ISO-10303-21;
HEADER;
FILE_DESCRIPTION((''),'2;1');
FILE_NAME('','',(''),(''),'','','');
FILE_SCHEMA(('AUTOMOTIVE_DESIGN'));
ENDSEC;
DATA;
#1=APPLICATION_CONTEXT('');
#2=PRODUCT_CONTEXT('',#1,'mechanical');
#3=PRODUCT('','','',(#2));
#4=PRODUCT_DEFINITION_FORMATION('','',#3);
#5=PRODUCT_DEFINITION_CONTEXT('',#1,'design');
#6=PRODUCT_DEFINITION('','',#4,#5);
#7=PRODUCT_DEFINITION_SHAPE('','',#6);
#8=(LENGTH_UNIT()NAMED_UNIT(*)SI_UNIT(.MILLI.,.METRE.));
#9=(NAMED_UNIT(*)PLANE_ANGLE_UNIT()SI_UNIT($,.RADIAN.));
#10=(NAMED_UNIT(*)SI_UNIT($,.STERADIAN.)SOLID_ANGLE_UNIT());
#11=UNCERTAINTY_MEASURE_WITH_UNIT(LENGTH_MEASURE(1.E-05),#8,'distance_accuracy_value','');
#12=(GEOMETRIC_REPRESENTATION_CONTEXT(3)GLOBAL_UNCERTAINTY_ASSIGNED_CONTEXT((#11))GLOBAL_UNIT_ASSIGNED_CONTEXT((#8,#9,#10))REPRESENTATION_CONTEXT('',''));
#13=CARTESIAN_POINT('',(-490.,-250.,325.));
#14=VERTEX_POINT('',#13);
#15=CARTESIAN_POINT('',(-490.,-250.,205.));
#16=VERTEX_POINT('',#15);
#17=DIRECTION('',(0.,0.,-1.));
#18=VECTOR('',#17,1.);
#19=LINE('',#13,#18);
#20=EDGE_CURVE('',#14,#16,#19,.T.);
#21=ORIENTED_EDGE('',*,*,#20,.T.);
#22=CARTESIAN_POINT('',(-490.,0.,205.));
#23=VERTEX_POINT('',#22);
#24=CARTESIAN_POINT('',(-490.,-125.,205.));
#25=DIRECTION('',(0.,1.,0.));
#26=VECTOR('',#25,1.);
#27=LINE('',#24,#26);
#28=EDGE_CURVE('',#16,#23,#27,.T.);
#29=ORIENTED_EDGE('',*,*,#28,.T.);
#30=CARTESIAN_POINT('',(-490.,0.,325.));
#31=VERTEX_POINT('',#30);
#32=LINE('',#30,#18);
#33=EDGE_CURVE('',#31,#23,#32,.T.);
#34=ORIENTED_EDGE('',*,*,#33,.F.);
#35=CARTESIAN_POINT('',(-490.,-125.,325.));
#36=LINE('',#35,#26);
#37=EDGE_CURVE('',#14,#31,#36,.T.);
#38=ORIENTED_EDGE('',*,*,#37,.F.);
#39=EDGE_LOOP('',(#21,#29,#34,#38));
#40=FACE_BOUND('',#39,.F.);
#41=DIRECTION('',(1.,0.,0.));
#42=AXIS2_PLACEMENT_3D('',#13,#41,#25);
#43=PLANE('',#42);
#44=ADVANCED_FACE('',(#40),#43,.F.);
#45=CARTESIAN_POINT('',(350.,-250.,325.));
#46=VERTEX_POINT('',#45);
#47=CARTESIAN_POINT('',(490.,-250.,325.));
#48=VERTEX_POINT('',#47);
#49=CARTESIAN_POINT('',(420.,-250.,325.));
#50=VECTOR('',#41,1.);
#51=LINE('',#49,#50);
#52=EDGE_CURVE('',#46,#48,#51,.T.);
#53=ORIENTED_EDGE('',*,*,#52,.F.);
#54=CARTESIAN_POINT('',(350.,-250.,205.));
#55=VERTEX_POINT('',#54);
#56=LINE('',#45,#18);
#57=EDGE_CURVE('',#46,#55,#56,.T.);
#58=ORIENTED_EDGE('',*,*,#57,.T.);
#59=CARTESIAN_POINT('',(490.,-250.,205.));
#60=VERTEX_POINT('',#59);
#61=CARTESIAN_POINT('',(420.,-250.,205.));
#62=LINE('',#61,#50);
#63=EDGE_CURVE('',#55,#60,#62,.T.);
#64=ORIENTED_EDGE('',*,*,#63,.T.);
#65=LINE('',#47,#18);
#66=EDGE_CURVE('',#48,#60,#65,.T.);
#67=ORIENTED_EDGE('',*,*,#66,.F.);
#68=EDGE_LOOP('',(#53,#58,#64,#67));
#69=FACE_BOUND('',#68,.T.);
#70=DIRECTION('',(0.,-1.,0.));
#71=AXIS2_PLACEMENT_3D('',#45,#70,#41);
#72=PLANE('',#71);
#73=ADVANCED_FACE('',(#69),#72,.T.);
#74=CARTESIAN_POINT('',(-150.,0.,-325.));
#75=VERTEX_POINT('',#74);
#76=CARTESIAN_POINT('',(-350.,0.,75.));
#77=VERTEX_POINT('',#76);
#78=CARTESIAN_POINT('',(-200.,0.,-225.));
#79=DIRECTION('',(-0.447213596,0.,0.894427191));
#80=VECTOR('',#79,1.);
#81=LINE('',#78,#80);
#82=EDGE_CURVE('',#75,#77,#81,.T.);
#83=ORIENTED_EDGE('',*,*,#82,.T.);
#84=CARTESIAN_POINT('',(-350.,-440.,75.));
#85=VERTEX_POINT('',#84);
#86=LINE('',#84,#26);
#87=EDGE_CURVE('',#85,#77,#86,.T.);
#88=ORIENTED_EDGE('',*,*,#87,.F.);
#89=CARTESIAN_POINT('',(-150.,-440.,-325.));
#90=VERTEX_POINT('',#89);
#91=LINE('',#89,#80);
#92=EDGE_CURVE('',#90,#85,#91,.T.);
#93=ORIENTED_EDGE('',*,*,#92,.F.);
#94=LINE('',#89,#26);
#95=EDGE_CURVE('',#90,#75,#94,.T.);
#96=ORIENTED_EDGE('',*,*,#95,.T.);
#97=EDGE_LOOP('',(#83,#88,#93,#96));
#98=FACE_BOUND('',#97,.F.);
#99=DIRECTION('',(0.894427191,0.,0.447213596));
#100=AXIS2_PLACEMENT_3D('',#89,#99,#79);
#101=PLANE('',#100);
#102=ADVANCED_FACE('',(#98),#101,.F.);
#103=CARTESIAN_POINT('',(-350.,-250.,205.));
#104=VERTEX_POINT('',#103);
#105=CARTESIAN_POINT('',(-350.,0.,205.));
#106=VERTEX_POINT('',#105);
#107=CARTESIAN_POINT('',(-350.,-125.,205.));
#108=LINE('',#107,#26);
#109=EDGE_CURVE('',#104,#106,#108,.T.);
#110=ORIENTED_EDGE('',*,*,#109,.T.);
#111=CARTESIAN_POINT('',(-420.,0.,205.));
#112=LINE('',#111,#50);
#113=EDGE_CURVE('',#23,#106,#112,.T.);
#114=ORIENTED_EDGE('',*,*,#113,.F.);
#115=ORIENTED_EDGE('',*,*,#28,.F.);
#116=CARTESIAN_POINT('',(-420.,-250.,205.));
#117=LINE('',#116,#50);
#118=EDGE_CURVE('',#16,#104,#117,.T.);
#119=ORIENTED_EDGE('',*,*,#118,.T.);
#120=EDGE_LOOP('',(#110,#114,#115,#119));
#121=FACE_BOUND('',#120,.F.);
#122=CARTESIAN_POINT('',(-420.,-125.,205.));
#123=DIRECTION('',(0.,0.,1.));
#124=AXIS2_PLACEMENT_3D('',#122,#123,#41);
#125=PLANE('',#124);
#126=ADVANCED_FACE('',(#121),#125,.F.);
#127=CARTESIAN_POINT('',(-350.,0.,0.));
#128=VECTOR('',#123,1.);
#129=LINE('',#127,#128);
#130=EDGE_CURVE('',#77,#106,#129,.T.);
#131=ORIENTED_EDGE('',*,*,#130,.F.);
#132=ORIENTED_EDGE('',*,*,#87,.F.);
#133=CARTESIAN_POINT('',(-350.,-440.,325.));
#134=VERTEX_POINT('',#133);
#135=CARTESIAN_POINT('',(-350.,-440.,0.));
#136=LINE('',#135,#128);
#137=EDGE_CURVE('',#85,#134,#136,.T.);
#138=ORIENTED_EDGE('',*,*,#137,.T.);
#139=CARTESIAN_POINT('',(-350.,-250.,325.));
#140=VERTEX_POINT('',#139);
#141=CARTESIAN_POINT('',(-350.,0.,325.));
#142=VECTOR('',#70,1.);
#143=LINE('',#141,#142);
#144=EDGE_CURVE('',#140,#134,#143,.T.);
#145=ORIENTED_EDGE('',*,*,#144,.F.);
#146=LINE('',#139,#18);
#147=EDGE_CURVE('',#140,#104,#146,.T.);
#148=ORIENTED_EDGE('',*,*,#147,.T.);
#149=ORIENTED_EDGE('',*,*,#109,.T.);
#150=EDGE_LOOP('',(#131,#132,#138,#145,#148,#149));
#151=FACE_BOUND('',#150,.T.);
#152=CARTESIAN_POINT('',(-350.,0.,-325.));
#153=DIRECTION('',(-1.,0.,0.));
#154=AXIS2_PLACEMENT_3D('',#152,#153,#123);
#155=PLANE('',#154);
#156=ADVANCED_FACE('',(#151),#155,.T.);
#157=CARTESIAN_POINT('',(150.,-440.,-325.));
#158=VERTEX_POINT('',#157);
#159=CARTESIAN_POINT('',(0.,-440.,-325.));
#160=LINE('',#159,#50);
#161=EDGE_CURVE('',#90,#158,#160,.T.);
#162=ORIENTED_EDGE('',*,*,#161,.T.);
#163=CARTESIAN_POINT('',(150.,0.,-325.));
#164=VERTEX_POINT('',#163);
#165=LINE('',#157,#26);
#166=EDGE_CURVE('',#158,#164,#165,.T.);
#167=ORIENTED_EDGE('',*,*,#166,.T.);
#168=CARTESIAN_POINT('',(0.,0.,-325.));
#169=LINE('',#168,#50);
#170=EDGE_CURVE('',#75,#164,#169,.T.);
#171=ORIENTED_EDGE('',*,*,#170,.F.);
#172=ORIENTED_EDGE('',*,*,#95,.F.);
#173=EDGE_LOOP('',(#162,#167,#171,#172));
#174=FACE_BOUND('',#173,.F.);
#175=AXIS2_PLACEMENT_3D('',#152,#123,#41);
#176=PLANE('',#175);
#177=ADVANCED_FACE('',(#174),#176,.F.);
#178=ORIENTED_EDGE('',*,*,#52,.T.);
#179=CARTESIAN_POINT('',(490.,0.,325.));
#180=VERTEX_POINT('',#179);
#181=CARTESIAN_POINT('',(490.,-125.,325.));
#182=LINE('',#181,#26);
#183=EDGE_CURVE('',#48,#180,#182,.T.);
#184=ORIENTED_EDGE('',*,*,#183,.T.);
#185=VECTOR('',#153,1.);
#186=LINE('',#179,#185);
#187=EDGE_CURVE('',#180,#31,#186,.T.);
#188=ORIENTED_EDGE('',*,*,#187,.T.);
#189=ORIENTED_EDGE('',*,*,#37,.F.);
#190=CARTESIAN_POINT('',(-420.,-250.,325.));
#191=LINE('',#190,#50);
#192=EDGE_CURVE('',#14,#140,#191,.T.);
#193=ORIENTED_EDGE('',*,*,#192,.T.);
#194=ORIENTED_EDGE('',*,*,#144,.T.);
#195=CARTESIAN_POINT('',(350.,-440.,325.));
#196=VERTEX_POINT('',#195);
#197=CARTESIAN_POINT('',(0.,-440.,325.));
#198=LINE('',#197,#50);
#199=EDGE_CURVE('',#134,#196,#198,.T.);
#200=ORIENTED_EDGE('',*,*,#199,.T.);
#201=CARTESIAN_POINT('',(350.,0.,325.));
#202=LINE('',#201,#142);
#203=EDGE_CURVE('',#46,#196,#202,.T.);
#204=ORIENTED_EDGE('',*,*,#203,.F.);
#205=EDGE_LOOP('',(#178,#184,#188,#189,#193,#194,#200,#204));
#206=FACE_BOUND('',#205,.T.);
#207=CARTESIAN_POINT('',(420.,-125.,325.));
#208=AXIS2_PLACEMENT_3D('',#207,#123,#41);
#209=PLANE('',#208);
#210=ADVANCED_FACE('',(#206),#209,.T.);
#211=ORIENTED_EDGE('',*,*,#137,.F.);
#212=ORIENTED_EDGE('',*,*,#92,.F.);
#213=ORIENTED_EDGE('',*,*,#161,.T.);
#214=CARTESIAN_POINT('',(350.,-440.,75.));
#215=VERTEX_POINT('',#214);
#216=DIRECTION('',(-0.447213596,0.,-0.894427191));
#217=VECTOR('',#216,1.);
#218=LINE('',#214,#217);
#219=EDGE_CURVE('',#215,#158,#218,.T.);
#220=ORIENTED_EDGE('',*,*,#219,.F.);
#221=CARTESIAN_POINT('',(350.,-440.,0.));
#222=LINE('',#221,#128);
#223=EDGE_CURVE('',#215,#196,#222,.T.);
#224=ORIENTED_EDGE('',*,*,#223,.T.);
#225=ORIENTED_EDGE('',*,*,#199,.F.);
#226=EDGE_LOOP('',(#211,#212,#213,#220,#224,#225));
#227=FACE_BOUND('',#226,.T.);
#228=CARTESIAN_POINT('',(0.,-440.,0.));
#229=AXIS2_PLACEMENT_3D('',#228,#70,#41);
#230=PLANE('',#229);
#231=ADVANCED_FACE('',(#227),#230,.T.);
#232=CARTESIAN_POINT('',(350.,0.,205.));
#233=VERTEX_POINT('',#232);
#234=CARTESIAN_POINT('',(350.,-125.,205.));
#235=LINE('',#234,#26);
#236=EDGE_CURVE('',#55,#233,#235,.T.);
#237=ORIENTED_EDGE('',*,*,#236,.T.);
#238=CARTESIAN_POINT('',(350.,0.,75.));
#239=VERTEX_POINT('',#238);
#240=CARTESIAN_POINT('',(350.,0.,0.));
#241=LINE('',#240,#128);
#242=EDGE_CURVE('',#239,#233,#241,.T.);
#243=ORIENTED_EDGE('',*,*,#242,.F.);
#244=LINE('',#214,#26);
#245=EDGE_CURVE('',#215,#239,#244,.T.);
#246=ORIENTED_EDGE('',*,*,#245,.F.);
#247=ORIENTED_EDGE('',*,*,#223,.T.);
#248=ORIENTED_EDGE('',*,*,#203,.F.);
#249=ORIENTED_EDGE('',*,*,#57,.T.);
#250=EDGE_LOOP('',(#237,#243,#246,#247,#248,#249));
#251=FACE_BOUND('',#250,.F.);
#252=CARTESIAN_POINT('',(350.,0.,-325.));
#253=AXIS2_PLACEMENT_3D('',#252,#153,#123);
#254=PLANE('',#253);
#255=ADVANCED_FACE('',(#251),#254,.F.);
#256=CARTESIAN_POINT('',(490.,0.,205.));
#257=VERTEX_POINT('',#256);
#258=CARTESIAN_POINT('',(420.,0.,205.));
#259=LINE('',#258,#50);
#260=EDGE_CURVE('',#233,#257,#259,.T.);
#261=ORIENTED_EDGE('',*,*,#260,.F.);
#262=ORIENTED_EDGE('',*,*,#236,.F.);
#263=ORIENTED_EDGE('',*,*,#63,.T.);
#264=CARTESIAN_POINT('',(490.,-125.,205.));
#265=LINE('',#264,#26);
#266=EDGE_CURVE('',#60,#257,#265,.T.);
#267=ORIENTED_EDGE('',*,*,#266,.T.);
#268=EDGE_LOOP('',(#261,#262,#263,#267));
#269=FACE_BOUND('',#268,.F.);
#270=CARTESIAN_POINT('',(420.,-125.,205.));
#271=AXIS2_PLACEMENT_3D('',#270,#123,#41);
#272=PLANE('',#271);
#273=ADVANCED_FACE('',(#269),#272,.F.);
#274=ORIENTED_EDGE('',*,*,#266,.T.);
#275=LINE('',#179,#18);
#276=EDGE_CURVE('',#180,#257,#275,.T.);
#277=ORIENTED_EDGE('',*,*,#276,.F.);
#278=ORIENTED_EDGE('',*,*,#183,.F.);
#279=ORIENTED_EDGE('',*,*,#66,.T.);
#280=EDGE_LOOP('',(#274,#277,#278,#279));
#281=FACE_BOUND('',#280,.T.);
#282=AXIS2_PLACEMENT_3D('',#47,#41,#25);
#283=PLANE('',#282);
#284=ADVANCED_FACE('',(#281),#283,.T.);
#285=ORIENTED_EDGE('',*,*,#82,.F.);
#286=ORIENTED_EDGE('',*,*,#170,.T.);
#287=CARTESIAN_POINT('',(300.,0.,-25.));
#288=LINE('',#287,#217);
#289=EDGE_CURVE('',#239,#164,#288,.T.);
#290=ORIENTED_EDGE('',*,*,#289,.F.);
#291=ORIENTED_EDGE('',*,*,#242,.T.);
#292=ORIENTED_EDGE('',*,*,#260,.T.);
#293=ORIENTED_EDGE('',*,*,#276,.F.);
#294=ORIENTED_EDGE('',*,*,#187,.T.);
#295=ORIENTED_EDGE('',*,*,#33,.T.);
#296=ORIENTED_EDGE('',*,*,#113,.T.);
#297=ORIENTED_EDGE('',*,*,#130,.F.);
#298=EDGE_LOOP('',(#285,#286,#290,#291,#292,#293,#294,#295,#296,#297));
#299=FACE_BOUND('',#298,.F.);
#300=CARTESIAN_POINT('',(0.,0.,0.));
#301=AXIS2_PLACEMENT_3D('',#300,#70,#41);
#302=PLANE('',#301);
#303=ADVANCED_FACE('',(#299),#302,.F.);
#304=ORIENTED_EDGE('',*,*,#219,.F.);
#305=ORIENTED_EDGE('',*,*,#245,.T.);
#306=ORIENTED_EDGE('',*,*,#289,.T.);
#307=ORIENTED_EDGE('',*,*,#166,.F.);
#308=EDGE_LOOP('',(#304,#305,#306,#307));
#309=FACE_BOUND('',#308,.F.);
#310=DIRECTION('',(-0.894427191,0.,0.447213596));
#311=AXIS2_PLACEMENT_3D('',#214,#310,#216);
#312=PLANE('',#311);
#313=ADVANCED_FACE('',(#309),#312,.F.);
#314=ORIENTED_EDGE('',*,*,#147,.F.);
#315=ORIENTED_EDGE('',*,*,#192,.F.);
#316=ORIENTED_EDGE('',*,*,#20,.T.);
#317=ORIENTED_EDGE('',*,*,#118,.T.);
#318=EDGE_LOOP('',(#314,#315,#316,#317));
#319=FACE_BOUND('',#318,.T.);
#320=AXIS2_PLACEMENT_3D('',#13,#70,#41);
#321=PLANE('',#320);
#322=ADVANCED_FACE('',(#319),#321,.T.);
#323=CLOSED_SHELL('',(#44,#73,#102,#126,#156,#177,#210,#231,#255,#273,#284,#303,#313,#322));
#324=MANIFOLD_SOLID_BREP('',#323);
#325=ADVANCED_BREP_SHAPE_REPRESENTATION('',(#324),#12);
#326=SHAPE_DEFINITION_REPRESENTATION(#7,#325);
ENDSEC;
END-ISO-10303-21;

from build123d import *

# Parameters (mm, degrees)
F0_W     = 700
F0_H     = 650
F1_DEPTH = 440
F3_DEPTH = 440.001
F4_W     = 140
F4_H     = 250
F5_DEPTH = 120


with BuildPart() as f1:
    # F0 (on Front) → F1 (new body)
    with BuildSketch(Plane.XZ):
        Rectangle(F0_W, F0_H)
    extrude(amount=F1_DEPTH)

    # F2 (on face) → F3 (cut, through all)
    with BuildSketch(Plane.XZ.offset(440)):
        Polygon((-150, -325), (-350, 75), (-350, -325), align=None)
        Polygon((350, 75), (150, -325), (350, -325), align=None)
    extrude(amount=-F3_DEPTH, mode=Mode.SUBTRACT)

    # F4 (on face) → F5 (join)
    with BuildSketch(Plane.XY.offset(325)):
        with Locations((420, -125)):
            Rectangle(F4_W, F4_H)
        with Locations((-420, -125)):
            Rectangle(F4_W, F4_H)
    extrude(amount=-F5_DEPTH)


solid = f1.part
